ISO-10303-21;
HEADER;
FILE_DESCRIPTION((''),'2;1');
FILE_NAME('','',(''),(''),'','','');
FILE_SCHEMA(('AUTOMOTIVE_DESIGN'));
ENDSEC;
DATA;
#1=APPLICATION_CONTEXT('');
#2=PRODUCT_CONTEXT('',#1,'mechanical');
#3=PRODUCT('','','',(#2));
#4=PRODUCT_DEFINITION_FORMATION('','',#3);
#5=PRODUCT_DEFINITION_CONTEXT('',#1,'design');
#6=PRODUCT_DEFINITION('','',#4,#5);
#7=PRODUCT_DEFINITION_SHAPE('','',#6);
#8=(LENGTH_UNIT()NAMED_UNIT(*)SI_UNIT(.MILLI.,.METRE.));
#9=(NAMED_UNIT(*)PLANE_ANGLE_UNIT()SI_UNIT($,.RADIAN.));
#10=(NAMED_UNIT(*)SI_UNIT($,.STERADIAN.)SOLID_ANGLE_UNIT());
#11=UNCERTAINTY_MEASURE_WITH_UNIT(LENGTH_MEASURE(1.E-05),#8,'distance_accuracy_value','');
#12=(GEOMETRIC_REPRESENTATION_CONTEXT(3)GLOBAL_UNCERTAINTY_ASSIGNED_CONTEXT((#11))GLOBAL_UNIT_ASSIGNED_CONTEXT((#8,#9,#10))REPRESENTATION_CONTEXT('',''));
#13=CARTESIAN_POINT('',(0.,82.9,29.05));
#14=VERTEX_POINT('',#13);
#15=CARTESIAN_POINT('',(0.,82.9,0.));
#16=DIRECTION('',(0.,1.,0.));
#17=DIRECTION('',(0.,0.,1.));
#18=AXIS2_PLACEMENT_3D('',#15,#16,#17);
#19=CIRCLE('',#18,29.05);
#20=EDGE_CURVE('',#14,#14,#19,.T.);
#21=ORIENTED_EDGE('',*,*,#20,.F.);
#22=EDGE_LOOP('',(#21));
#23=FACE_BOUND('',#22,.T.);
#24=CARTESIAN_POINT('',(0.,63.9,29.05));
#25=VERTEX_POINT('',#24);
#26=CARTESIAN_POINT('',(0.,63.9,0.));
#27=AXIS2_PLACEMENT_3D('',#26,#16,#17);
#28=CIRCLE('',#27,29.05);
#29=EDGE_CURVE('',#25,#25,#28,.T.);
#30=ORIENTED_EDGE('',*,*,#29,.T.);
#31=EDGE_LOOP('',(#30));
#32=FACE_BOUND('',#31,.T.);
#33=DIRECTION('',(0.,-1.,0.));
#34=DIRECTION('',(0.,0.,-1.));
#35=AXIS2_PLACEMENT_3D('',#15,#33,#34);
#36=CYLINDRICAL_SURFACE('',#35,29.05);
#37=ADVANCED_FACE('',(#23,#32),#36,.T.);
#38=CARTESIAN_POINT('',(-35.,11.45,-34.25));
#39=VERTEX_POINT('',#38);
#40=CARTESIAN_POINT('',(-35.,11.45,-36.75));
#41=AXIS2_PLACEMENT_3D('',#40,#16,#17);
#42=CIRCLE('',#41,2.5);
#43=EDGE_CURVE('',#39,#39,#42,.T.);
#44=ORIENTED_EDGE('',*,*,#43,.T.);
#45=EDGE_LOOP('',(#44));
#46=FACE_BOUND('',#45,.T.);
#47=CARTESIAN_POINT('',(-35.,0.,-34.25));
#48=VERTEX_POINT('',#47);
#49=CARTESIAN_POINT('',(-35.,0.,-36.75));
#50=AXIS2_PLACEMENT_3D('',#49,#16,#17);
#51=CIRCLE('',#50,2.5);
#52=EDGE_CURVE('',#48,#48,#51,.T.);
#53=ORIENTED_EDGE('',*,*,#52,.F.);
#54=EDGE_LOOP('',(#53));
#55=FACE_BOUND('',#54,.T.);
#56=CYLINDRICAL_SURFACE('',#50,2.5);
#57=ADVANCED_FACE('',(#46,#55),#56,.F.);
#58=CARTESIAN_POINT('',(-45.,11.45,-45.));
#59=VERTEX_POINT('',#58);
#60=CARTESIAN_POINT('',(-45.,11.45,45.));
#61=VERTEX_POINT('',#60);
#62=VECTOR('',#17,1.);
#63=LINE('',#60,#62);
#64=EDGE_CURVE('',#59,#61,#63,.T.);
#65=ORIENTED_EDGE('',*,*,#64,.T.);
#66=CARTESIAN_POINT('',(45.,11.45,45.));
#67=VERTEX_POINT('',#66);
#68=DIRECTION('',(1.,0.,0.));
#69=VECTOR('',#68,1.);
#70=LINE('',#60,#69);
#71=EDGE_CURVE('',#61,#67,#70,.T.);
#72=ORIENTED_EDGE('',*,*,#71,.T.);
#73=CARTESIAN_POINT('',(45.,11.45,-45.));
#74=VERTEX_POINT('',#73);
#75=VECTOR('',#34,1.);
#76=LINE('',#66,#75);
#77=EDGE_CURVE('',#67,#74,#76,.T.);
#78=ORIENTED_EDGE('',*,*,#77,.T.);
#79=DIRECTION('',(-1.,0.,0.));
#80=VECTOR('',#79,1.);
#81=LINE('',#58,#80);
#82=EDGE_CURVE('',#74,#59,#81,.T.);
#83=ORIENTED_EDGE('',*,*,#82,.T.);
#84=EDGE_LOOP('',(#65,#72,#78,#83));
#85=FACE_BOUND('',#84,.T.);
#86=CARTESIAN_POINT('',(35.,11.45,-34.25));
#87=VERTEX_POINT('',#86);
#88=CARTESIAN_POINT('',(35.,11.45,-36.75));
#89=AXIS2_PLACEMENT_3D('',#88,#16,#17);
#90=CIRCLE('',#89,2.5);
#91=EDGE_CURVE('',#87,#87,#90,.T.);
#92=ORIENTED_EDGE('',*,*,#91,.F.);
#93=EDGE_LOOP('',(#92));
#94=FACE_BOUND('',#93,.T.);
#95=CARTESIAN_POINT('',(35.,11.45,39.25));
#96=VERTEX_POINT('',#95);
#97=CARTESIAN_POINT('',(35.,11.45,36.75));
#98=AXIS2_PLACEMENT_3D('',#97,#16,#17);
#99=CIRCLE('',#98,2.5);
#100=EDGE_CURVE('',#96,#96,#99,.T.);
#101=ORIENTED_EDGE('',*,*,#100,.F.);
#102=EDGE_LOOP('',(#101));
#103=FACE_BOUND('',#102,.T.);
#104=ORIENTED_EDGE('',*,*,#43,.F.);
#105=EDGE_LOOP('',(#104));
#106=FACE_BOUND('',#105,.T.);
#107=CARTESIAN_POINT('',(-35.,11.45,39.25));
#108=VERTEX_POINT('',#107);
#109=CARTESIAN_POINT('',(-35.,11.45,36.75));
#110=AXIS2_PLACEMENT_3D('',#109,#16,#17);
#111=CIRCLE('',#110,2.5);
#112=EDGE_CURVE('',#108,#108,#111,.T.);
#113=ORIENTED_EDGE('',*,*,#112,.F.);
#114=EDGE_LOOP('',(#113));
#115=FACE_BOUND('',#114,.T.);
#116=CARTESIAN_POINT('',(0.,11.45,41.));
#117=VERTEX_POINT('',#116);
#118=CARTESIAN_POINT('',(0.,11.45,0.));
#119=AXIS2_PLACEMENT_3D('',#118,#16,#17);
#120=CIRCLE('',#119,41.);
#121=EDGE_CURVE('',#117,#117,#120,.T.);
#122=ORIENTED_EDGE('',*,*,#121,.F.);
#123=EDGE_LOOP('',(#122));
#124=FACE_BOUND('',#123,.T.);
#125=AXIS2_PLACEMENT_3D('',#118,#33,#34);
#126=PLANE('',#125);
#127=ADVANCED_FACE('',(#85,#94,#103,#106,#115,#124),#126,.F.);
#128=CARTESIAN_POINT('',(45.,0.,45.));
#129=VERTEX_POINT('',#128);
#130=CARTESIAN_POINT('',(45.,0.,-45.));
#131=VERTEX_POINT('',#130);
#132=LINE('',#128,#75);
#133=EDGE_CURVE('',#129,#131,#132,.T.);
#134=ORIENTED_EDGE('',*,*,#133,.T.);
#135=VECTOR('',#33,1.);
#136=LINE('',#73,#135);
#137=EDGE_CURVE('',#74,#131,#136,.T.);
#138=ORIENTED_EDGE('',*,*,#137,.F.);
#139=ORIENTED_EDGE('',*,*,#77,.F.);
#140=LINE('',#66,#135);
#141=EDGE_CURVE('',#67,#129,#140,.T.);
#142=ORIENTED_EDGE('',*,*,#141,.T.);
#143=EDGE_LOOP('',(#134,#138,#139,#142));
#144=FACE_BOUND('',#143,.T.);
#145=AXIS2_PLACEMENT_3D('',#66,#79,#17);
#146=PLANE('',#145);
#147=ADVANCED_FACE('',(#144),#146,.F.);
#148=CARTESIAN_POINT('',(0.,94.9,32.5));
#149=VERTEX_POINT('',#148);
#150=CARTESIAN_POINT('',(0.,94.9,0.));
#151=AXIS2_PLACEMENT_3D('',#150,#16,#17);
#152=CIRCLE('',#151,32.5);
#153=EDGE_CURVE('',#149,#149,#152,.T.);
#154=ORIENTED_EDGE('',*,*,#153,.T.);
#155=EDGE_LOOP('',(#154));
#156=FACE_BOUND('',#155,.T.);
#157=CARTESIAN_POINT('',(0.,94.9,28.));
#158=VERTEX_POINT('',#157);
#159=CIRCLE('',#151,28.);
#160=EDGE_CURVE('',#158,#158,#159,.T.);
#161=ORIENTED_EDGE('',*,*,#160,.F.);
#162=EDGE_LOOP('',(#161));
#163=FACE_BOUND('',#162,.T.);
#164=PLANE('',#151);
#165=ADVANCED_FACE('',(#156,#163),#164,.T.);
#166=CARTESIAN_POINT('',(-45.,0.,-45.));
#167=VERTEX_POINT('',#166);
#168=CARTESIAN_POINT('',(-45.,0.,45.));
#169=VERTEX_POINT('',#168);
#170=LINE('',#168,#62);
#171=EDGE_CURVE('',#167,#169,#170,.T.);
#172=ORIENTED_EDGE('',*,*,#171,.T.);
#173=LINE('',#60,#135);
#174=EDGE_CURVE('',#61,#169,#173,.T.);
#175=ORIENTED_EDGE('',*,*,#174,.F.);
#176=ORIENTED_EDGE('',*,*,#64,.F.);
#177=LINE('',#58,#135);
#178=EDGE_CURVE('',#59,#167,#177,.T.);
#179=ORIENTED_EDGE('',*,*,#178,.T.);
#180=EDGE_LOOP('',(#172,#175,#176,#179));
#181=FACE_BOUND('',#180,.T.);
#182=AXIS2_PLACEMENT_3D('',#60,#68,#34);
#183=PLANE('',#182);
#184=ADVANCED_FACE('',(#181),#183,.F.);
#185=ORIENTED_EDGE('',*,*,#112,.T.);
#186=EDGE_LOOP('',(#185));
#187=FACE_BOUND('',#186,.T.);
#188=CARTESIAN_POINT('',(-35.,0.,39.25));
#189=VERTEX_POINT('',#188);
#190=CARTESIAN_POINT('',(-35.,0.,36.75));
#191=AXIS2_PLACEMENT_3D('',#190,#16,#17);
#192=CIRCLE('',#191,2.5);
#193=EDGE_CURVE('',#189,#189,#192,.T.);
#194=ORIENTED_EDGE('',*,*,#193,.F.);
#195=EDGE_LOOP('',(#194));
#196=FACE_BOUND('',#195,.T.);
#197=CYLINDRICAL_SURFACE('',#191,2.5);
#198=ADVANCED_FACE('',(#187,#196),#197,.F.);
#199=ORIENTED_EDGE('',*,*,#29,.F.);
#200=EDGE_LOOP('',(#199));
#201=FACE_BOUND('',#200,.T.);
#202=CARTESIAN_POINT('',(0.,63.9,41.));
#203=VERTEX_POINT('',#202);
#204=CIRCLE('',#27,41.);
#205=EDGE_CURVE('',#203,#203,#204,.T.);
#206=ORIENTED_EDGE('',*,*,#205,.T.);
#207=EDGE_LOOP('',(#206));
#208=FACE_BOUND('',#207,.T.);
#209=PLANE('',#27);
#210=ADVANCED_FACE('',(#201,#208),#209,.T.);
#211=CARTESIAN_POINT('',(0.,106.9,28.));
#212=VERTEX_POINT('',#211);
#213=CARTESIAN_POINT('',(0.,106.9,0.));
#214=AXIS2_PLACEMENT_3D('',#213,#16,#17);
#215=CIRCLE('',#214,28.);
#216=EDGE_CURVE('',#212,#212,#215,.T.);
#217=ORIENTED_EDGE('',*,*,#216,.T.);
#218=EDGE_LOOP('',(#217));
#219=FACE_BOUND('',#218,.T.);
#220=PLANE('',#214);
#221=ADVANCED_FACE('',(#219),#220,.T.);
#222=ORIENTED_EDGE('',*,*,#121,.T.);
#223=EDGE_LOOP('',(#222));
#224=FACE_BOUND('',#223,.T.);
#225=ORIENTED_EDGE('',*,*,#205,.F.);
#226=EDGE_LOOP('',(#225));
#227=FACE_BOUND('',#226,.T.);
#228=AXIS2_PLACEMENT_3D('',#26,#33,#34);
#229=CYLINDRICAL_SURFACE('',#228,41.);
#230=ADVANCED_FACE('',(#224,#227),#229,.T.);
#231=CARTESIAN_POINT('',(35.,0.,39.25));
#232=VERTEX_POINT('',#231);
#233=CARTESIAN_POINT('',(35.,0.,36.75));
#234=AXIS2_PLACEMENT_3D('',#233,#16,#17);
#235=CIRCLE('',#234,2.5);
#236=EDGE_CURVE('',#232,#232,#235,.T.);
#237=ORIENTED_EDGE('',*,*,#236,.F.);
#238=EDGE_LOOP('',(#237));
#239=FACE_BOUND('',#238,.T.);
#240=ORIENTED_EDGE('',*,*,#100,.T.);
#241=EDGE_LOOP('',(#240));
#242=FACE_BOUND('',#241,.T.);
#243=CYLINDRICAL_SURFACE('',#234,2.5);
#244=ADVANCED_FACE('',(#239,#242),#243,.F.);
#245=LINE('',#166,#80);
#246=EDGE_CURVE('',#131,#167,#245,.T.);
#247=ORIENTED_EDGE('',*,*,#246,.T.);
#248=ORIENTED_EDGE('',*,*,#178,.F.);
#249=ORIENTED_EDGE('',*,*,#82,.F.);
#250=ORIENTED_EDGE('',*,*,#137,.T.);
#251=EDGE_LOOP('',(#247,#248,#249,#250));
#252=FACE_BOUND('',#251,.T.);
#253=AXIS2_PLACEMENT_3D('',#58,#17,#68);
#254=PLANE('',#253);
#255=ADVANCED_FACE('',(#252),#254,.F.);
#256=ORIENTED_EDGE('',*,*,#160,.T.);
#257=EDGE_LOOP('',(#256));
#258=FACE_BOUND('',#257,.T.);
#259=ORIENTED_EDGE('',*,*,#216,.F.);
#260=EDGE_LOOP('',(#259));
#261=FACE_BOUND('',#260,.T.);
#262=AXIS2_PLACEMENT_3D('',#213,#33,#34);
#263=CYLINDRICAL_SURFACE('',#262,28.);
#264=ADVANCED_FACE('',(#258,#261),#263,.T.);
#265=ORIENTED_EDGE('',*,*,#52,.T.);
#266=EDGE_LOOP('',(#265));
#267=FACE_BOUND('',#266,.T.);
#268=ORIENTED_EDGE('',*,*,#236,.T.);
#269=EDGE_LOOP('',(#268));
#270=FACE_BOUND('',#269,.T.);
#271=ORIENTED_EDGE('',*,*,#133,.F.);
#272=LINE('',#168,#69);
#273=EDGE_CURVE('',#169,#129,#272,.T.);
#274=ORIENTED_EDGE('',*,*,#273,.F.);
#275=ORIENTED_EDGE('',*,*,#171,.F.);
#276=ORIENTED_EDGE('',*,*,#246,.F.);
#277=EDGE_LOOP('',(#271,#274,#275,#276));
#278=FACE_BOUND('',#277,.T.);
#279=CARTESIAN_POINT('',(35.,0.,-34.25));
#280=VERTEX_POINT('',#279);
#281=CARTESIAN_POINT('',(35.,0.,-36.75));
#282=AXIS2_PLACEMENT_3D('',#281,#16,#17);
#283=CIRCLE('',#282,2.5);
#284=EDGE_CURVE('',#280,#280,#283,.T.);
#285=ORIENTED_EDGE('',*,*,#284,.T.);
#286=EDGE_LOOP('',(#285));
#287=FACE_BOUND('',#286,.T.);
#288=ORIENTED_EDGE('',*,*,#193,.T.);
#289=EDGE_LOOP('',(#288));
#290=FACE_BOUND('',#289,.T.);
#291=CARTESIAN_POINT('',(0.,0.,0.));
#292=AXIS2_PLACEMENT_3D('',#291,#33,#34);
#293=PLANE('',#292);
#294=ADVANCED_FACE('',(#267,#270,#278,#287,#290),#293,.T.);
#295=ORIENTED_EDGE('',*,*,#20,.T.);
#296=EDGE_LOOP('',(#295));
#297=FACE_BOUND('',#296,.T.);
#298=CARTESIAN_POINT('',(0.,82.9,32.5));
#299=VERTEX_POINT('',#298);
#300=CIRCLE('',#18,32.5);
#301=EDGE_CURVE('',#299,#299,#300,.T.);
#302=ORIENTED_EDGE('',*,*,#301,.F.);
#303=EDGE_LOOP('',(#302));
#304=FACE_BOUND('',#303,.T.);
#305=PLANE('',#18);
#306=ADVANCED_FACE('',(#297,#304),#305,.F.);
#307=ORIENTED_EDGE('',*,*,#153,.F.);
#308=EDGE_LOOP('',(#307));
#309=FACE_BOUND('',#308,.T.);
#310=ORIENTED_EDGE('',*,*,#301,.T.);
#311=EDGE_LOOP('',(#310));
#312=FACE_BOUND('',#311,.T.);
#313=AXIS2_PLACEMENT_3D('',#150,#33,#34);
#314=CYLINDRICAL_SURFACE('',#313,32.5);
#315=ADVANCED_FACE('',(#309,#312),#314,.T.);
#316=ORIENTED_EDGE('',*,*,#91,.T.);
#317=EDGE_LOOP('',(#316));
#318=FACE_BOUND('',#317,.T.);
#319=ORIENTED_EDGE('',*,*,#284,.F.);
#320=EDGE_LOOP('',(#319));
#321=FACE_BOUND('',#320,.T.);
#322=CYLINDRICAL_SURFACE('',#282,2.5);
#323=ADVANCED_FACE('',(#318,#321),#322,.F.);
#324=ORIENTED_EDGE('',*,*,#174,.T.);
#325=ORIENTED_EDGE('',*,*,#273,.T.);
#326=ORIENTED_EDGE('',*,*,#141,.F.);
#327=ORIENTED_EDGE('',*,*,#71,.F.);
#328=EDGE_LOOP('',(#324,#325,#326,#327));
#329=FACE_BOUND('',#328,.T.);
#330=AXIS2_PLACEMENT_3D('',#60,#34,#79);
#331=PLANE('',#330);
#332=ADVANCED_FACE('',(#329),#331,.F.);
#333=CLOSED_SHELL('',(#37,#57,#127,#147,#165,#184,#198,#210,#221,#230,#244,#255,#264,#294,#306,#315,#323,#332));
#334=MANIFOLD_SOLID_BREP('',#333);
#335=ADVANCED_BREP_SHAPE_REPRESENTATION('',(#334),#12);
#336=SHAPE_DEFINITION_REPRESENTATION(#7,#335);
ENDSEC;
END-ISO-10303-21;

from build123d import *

# Parameters (mm, degrees)
SKETCH1_W           = 90
SKETCH1_H           = 90
BOSS_EXTRUDE1_DEPTH = 11.45
SKETCH2_R           = 41
BOSS_EXTRUDE2_DEPTH = 52.45
SKETCH3_R           = 29.05
BOSS_EXTRUDE3_DEPTH = 19
SKETCH4_R           = 32.5
BOSS_EXTRUDE4_DEPTH = 12
SKETCH5_R           = 28
BOSS_EXTRUDE5_DEPTH = 12
SKETCH6_R           = 2.5
CUT_EXTRUDE1_DEPTH  = 115.720105038


with BuildPart() as part:
    # Sketch1 → Boss-Extrude1 (new body)
    with BuildSketch(Plane(origin=(0, 0, 0), x_dir=(1, 0, 0), z_dir=(0, 1, 0))):
        Rectangle(SKETCH1_W, SKETCH1_H)
    extrude(amount=BOSS_EXTRUDE1_DEPTH)

    # Sketch2 → Boss-Extrude2 (add)
    with BuildSketch(Plane(origin=(0, 11.45, 0), x_dir=(1, 0, 0), z_dir=(0, 1, 0))):
        with Locations(Location((0, 0, 0), (0, 0, 270))):
            Circle(SKETCH2_R)
    extrude(amount=BOSS_EXTRUDE2_DEPTH)

    # Sketch3 → Boss-Extrude3 (add)
    with BuildSketch(Plane(origin=(0, 63.9, 0), x_dir=(1, 0, 0), z_dir=(0, 1, 0))):
        with Locations(Location((0, 0, 0), (0, 0, 270))):
            Circle(SKETCH3_R)
    extrude(amount=BOSS_EXTRUDE3_DEPTH)

    # Sketch4 → Boss-Extrude4 (add)
    with BuildSketch(Plane(origin=(0, 82.9, 0), x_dir=(1, 0, 0), z_dir=(0, 1, 0))):
        with Locations(Location((0, 0, 0), (0, 0, 270))):
            Circle(SKETCH4_R)
    extrude(amount=BOSS_EXTRUDE4_DEPTH)

    # Sketch5 → Boss-Extrude5 (add)
    with BuildSketch(Plane(origin=(0, 94.9, 0), x_dir=(1, 0, 0), z_dir=(0, 1, 0))):
        with Locations(Location((0, 0, 0), (0, 0, 270))):
            Circle(SKETCH5_R)
    extrude(amount=BOSS_EXTRUDE5_DEPTH)

    # Sketch6 → Cut-Extrude1 (cut, through all)
    with BuildSketch(Plane(origin=(0, 11.45, 0), x_dir=(1, 0, 0), z_dir=(0, 1, 0))):
        with Locations(Location((-35, 36.75, 0), (0, 0, 270))):
            Circle(SKETCH6_R)
        with Locations(Location((35, 36.75, 0), (0, 0, 270))):
            Circle(SKETCH6_R)
        with Locations(Location((35, -36.75, 0), (0, 0, 270))):
            Circle(SKETCH6_R)
        with Locations(Location((-35, -36.75, 0), (0, 0, 270))):
            Circle(SKETCH6_R)
    extrude(amount=-CUT_EXTRUDE1_DEPTH, mode=Mode.SUBTRACT)


solid = part.part
